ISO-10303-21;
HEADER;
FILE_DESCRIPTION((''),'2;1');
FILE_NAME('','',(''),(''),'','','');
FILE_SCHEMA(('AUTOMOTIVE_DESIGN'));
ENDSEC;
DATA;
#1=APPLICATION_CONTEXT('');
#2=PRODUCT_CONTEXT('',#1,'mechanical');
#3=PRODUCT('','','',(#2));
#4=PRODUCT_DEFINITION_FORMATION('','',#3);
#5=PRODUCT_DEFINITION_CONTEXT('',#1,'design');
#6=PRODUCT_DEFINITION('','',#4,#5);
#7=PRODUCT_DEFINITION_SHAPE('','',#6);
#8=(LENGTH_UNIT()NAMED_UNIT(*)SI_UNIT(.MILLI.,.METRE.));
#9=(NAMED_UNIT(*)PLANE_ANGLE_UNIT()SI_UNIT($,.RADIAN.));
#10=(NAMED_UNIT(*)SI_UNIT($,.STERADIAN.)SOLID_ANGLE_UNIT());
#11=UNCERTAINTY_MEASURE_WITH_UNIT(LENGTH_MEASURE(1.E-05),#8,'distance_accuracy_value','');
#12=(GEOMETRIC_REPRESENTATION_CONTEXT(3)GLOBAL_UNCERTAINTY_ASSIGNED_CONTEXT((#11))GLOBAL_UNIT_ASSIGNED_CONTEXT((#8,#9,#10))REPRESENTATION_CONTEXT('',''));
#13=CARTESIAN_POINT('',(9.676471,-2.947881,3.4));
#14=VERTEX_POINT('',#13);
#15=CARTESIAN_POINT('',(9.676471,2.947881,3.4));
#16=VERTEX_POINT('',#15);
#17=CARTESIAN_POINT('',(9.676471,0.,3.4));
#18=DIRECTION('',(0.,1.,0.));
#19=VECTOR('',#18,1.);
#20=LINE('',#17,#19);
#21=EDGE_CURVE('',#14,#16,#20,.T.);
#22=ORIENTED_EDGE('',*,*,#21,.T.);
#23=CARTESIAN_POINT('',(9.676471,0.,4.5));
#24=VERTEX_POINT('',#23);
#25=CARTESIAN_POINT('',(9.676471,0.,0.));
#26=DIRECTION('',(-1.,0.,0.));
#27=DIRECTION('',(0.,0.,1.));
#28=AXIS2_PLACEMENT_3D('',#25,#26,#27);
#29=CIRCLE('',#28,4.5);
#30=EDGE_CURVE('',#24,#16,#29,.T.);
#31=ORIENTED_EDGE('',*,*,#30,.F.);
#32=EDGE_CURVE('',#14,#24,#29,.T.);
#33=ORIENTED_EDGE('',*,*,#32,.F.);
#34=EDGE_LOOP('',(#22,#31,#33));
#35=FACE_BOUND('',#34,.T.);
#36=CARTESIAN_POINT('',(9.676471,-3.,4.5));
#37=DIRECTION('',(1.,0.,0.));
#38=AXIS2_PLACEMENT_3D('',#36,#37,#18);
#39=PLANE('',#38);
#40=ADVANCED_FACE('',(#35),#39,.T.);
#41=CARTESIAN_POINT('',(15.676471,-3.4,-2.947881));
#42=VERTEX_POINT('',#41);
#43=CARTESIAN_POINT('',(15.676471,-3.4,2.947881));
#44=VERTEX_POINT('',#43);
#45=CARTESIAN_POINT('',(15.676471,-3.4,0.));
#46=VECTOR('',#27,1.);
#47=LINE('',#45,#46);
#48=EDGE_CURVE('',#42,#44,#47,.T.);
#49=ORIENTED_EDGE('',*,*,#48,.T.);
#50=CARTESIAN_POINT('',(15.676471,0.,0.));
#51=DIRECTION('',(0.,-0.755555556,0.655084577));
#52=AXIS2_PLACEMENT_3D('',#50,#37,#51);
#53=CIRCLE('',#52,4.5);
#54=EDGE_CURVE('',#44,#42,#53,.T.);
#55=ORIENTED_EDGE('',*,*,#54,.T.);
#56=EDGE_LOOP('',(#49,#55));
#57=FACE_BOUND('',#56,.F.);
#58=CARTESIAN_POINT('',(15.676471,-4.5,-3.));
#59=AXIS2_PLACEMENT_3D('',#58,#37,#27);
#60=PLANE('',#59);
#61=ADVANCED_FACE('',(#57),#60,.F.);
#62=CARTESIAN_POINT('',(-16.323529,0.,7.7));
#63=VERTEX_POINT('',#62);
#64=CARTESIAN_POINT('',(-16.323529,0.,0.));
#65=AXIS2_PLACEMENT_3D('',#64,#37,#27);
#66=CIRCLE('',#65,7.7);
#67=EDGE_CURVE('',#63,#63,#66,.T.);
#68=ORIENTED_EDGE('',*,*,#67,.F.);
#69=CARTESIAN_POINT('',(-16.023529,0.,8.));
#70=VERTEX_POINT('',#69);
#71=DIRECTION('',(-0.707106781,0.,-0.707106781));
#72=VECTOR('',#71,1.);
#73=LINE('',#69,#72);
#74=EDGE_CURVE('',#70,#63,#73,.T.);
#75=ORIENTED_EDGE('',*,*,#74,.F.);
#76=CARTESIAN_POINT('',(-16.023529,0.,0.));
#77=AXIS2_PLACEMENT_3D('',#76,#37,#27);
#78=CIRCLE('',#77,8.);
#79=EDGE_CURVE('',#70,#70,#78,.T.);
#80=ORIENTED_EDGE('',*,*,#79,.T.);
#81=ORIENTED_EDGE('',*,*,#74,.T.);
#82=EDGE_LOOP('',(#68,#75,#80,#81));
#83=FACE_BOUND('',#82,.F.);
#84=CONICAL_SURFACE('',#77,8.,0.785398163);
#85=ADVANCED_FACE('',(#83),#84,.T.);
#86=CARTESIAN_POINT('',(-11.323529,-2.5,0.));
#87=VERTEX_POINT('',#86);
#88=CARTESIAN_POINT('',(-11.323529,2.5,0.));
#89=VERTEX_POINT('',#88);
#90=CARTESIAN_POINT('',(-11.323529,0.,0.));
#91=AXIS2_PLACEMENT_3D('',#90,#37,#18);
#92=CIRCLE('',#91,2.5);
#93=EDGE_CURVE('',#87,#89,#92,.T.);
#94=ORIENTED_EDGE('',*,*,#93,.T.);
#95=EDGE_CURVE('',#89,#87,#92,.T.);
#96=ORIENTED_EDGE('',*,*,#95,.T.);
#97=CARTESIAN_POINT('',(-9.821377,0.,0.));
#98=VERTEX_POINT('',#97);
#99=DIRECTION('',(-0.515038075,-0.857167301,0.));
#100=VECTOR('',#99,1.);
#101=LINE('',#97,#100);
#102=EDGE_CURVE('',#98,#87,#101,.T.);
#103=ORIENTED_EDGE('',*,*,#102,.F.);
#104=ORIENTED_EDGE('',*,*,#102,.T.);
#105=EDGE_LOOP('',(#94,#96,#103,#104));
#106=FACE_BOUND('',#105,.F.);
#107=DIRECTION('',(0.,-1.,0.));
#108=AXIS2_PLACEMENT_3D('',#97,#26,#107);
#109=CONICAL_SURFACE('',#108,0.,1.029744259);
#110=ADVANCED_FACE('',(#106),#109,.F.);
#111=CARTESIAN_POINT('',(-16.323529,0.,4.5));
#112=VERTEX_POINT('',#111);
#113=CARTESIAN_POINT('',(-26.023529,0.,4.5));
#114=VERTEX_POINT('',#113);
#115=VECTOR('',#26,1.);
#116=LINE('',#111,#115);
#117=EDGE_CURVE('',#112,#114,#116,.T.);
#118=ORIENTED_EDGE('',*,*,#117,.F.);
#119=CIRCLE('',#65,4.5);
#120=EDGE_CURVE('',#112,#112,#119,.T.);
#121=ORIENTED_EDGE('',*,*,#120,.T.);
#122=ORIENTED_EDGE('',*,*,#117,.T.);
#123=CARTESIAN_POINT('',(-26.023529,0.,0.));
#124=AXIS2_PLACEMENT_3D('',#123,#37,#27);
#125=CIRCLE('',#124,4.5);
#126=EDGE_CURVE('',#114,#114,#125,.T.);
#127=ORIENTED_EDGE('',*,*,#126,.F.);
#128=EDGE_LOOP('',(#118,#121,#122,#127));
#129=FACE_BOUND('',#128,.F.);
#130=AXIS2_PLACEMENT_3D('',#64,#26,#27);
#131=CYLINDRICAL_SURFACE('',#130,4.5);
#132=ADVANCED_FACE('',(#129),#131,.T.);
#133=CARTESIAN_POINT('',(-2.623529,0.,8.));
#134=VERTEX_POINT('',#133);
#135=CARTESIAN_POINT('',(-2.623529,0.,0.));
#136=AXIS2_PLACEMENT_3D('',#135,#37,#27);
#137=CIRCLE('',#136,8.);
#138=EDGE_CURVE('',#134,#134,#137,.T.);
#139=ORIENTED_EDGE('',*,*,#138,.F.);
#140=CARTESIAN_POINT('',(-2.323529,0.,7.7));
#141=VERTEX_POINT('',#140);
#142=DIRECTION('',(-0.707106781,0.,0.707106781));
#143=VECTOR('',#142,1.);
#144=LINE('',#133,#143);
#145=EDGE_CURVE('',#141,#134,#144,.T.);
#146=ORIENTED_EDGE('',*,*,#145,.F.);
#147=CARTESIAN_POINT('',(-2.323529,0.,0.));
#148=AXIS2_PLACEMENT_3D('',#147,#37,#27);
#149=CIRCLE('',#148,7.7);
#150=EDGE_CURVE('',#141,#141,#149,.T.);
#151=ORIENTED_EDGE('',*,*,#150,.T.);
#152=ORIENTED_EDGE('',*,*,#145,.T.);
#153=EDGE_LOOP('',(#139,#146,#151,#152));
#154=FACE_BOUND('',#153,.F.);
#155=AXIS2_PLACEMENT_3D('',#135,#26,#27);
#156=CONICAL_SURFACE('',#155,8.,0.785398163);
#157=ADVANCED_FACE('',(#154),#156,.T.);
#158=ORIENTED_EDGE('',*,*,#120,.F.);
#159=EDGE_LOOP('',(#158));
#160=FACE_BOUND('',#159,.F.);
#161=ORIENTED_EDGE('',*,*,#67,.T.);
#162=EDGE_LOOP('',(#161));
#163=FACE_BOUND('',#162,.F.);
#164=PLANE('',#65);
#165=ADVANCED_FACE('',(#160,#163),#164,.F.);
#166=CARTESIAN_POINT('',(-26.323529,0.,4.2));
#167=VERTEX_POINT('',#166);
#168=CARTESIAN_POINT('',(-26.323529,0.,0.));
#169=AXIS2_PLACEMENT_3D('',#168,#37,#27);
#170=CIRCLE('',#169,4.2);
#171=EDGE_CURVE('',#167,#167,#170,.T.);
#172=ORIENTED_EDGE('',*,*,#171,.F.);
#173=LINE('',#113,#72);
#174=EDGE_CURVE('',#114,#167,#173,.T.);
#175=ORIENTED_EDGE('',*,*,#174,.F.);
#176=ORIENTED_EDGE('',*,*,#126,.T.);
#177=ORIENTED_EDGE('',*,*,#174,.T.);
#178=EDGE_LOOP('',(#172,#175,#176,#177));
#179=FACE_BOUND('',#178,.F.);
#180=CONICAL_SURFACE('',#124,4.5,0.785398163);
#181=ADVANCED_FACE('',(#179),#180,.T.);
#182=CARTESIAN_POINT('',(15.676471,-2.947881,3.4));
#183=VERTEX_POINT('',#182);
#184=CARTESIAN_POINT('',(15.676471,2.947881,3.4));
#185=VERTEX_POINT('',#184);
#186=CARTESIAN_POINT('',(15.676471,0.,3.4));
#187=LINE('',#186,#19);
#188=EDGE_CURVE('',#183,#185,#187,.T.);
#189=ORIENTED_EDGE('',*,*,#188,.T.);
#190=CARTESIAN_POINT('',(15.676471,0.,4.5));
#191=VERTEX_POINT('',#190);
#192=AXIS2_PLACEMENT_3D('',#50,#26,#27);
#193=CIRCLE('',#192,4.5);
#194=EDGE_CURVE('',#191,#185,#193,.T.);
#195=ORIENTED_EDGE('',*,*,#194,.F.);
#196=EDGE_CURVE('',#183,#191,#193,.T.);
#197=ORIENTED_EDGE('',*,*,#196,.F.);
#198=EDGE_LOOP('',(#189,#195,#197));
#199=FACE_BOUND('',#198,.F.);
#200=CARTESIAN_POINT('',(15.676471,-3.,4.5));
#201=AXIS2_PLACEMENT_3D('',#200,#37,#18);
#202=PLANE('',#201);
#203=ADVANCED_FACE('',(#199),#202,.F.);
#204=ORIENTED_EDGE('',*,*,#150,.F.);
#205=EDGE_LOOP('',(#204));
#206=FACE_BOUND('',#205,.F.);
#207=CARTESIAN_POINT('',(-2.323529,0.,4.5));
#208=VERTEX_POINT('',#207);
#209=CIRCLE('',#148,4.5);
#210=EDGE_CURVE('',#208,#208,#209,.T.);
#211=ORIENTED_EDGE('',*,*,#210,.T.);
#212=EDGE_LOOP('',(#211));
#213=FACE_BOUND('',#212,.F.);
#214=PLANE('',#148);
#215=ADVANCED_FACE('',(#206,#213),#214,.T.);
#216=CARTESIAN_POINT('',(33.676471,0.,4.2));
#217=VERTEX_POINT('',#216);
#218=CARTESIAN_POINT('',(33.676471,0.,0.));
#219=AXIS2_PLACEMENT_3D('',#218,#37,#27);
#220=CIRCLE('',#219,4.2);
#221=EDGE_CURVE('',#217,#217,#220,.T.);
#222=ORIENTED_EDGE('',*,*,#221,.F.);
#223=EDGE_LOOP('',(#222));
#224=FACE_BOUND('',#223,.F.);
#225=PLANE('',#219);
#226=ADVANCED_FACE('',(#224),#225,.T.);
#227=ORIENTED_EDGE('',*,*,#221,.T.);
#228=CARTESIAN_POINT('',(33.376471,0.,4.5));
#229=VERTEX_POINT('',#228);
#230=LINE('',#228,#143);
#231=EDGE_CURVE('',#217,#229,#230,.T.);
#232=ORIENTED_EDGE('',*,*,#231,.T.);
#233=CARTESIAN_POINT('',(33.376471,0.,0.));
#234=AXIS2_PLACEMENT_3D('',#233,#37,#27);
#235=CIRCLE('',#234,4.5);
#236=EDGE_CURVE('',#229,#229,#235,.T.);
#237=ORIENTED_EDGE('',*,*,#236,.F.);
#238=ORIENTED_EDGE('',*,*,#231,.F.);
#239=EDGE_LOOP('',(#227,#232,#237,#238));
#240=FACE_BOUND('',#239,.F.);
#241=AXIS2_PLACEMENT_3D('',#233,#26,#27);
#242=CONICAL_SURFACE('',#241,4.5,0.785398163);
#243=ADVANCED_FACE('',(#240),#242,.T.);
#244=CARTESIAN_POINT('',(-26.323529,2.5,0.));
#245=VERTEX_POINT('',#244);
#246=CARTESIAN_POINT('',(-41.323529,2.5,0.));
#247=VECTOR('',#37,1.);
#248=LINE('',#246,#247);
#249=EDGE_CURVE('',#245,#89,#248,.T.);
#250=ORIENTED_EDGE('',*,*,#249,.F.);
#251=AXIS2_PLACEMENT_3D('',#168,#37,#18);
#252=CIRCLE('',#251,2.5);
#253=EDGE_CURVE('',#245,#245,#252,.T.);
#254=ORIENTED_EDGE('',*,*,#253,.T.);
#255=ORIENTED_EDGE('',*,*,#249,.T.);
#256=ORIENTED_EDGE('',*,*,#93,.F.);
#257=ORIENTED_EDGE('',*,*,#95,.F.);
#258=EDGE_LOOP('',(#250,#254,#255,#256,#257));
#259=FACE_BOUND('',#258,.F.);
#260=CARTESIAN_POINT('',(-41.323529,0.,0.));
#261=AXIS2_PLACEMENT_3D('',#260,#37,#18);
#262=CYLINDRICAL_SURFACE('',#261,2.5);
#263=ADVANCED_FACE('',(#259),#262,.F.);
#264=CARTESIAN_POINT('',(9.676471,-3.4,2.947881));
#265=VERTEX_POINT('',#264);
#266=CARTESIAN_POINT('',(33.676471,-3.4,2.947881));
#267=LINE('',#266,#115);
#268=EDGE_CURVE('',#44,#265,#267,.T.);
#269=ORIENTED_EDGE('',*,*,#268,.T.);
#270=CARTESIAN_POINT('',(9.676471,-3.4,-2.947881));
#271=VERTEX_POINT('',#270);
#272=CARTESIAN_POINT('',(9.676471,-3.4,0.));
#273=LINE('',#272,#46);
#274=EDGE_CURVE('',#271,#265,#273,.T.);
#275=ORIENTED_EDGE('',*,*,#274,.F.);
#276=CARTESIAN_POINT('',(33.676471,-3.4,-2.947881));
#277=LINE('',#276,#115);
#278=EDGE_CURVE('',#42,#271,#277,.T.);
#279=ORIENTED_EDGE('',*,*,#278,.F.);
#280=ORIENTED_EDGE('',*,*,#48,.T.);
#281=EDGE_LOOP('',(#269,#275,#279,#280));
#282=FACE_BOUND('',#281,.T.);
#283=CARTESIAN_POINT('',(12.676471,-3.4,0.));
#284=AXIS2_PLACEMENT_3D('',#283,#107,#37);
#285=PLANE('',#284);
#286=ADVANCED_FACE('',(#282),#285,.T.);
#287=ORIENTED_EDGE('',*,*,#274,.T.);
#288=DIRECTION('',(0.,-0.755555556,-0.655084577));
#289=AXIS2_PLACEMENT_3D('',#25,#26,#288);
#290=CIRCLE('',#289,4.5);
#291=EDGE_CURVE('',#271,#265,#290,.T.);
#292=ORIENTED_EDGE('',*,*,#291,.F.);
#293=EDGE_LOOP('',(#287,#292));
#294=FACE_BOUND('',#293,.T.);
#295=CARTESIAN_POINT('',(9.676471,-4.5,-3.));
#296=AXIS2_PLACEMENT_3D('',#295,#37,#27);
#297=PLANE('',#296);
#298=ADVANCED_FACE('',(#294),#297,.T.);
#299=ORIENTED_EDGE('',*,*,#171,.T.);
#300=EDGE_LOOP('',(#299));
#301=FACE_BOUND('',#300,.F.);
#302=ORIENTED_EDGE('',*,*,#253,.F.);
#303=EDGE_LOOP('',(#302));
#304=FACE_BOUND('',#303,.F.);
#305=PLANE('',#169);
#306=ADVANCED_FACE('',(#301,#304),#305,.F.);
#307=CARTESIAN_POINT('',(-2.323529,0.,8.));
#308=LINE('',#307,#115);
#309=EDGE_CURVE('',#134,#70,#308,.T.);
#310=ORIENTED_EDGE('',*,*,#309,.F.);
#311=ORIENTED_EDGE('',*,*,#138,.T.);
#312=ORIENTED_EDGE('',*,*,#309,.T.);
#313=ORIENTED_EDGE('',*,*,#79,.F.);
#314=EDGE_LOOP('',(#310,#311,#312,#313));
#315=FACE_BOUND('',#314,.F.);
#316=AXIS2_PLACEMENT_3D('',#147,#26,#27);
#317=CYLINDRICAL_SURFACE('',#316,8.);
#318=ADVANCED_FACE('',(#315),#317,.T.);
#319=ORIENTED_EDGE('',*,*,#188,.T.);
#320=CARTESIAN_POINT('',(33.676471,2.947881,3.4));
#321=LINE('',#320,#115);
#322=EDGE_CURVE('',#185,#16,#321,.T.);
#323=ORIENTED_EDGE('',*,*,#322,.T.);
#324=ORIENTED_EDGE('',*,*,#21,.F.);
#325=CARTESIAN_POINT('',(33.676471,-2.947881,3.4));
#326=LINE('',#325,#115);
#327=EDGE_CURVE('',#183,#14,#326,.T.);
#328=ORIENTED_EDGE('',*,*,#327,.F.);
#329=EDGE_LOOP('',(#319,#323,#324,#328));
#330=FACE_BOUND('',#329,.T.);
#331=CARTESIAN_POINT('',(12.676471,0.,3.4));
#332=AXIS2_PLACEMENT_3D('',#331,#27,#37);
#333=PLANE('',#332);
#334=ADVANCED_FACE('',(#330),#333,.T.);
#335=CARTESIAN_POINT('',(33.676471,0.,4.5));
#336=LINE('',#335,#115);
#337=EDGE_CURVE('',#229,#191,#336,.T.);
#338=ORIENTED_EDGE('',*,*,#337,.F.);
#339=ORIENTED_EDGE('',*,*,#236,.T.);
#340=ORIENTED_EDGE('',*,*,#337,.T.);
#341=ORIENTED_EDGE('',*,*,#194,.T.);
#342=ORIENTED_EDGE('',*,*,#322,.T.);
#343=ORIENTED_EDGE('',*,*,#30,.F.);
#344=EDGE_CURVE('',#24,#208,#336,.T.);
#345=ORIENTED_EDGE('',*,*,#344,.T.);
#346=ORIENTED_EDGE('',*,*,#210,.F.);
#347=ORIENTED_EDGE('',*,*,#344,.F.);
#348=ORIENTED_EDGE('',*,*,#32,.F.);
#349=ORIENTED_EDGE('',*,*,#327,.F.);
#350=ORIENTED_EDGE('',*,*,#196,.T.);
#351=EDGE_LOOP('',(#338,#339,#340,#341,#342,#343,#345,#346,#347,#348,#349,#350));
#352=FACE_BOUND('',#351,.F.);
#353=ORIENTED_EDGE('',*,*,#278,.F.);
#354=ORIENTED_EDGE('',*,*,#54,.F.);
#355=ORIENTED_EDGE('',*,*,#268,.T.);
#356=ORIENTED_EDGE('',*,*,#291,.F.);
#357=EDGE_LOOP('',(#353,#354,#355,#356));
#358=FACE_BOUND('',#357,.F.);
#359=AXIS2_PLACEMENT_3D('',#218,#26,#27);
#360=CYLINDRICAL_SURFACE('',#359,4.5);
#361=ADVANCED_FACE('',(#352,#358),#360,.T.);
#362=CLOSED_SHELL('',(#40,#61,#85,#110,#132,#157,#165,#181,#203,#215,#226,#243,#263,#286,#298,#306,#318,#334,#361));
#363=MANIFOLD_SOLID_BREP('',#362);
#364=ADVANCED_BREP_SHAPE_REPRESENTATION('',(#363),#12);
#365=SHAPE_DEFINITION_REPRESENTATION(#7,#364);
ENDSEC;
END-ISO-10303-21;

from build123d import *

# Parameters (mm, degrees)
F2_SIZE   = 0.3
F3_SIZE   = 0.3
F4_SIZE   = 0.3
F7_W      = 6
F7_H      = 6
F8_DEPTH  = 1.1
F10_W     = 6
F10_H     = 6
F11_DEPTH = 1.1
F13_D     = 5
F13_DEPTH = 15
F13_TIP   = 1.5021515476


with BuildPart() as f1:
    # F0 (on Front) → F1 (revolve)
    with BuildSketch(Plane.XZ):
        Polygon((-26.3235288649, 4.5), (-26.3235288649, 0), (33.6764711351, 0), (33.6764711351, 4.5), (-2.3235288649, 4.5), (-2.3235288649, 8), (-16.3235288649, 8), (-16.3235288649, 4.5), align=None)
    revolve(axis=Axis((3.6764711351, 0, 0), (1, 0, 0)))

    # F2
    f2_edges = [f1.edges().sort_by_distance(p)[0] for p in [
        (33.676471, 0, -4.5),
    ]]
    chamfer(f2_edges, length=F2_SIZE)

    # F3
    f3_edges = [f1.edges().sort_by_distance(p)[0] for p in [
        (-2.323529, 0, -8),
        (-16.323529, 0, -8),
        (-9.323529, 0, 8),
    ]]
    chamfer(f3_edges, length=F3_SIZE)

    # F4
    f4_edges = [f1.edges().sort_by_distance(p)[0] for p in [
        (-26.323529, 0, -4.5),
    ]]
    chamfer(f4_edges, length=F4_SIZE)

    # F7 (on offset) → F8 (cut)
    with BuildSketch(Plane.XZ.offset(4.5)):
        with Locations((12.6764711351, 0)):
            Rectangle(F7_W, F7_H)
    extrude(amount=-F8_DEPTH, mode=Mode.SUBTRACT)

    # F10 (on offset) → F11 (cut)
    with BuildSketch(Plane.XY.offset(4.5)):
        with Locations((12.6764711351, 0)):
            Rectangle(F10_W, F10_H)
    extrude(amount=-F11_DEPTH, mode=Mode.SUBTRACT)

    # F13
    with Locations(Plane(origin=(-26.3235288649, 0, 0), x_dir=(0, -1, 0), z_dir=(-1, 0, 0))):
        with Locations((0, 0)):
            Hole(F13_D / 2, depth=F13_DEPTH)
            with Locations((0, 0, -(F13_DEPTH + F13_TIP / 2))):  # 118° drill point
                Cone(0, F13_D / 2, F13_TIP, mode=Mode.SUBTRACT)


solid = f1.part
